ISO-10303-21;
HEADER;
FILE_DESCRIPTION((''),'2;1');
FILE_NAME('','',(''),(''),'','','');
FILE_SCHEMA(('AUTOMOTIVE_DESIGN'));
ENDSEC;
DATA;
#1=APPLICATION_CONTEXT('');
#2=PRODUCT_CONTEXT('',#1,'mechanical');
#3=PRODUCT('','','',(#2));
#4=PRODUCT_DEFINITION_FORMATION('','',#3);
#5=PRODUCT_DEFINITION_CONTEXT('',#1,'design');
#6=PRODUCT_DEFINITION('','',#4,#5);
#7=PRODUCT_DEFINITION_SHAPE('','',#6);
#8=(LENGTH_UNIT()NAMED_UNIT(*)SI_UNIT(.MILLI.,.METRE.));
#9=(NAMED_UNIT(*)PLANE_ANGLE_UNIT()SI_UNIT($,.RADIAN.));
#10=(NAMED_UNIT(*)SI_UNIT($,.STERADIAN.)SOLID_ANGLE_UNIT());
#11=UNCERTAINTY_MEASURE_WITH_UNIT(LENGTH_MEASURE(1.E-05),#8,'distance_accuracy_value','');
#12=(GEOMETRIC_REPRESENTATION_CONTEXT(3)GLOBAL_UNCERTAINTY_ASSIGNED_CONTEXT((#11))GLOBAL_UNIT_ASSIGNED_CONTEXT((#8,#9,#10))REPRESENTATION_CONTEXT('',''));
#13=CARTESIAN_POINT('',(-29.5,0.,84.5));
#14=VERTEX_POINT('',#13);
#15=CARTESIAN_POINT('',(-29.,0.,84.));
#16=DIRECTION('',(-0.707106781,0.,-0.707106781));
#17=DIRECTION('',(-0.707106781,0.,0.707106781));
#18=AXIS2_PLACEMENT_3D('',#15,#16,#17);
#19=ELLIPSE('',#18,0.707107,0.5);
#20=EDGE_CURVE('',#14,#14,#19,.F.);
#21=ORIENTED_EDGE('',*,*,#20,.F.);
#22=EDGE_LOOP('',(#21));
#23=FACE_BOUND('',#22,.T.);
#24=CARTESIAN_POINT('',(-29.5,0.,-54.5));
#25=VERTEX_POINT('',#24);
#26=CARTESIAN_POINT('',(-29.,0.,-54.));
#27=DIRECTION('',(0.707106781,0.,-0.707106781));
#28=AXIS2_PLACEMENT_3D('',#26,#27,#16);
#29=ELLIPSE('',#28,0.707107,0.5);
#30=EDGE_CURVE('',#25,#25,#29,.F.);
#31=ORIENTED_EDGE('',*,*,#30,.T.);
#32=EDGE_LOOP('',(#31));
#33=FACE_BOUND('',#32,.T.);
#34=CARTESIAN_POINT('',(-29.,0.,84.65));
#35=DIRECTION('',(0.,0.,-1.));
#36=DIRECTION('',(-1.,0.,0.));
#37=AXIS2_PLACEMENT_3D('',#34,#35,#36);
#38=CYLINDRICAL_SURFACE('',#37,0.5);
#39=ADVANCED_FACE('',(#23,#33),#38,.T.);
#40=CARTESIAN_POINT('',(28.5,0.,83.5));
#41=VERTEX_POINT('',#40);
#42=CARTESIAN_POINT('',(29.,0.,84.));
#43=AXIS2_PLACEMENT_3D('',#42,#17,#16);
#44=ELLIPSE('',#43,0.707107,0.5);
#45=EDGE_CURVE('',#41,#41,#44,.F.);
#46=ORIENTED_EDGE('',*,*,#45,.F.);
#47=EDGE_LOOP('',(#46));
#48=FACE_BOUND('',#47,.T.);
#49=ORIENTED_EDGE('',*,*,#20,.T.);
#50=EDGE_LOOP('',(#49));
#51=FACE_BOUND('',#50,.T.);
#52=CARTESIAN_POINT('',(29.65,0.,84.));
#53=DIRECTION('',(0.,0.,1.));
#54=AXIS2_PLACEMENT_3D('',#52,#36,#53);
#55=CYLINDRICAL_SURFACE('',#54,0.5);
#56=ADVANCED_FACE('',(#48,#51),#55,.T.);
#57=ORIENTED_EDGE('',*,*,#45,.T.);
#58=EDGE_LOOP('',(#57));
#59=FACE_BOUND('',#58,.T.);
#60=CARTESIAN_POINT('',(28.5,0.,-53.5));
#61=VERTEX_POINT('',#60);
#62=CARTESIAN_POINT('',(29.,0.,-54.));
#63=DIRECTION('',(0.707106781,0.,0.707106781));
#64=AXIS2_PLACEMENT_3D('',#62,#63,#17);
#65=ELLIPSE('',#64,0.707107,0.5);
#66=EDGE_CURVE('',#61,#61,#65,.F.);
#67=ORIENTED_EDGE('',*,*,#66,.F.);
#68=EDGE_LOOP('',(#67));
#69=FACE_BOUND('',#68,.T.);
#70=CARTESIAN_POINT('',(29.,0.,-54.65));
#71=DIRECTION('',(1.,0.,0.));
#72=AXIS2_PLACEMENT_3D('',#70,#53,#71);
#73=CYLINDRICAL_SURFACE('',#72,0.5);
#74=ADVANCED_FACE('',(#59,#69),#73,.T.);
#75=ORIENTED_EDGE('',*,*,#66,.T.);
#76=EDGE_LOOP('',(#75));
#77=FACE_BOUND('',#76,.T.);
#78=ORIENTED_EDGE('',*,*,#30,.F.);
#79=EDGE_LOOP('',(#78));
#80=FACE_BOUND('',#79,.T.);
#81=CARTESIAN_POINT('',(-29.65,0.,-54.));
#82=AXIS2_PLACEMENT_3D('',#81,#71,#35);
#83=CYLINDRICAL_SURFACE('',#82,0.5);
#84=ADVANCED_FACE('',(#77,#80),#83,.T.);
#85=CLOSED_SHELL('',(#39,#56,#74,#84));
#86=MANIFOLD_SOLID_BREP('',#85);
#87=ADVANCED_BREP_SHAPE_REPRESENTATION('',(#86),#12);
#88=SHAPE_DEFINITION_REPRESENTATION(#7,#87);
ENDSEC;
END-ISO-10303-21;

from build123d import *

# Parameters (mm, degrees)
SWEEP1_PROFILE_R = 0.5


with BuildPart() as part:
    # Sweep1: sweep along a path in Sketch1
    with BuildLine(Plane(origin=(0, 0, 0), x_dir=(1, 0, 0), z_dir=(0, 1, 0))) as sweep1_path:
        Line((-29, 54), (-29, -84))
        Line((-29, -84), (29, -84))
        Line((29, -84), (29, 54))
        Line((29, 54), (-29, 54))
    # Sweep1 profile (on start of the path) → Sweep1 (sweep)
    with BuildSketch(Plane(origin=(-29, 0, -54), x_dir=(1, 0, 0), z_dir=(0, 0, 1))):
        Circle(SWEEP1_PROFILE_R)
    sweep(path=sweep1_path.line, transition=Transition.RIGHT)


solid = part.part
